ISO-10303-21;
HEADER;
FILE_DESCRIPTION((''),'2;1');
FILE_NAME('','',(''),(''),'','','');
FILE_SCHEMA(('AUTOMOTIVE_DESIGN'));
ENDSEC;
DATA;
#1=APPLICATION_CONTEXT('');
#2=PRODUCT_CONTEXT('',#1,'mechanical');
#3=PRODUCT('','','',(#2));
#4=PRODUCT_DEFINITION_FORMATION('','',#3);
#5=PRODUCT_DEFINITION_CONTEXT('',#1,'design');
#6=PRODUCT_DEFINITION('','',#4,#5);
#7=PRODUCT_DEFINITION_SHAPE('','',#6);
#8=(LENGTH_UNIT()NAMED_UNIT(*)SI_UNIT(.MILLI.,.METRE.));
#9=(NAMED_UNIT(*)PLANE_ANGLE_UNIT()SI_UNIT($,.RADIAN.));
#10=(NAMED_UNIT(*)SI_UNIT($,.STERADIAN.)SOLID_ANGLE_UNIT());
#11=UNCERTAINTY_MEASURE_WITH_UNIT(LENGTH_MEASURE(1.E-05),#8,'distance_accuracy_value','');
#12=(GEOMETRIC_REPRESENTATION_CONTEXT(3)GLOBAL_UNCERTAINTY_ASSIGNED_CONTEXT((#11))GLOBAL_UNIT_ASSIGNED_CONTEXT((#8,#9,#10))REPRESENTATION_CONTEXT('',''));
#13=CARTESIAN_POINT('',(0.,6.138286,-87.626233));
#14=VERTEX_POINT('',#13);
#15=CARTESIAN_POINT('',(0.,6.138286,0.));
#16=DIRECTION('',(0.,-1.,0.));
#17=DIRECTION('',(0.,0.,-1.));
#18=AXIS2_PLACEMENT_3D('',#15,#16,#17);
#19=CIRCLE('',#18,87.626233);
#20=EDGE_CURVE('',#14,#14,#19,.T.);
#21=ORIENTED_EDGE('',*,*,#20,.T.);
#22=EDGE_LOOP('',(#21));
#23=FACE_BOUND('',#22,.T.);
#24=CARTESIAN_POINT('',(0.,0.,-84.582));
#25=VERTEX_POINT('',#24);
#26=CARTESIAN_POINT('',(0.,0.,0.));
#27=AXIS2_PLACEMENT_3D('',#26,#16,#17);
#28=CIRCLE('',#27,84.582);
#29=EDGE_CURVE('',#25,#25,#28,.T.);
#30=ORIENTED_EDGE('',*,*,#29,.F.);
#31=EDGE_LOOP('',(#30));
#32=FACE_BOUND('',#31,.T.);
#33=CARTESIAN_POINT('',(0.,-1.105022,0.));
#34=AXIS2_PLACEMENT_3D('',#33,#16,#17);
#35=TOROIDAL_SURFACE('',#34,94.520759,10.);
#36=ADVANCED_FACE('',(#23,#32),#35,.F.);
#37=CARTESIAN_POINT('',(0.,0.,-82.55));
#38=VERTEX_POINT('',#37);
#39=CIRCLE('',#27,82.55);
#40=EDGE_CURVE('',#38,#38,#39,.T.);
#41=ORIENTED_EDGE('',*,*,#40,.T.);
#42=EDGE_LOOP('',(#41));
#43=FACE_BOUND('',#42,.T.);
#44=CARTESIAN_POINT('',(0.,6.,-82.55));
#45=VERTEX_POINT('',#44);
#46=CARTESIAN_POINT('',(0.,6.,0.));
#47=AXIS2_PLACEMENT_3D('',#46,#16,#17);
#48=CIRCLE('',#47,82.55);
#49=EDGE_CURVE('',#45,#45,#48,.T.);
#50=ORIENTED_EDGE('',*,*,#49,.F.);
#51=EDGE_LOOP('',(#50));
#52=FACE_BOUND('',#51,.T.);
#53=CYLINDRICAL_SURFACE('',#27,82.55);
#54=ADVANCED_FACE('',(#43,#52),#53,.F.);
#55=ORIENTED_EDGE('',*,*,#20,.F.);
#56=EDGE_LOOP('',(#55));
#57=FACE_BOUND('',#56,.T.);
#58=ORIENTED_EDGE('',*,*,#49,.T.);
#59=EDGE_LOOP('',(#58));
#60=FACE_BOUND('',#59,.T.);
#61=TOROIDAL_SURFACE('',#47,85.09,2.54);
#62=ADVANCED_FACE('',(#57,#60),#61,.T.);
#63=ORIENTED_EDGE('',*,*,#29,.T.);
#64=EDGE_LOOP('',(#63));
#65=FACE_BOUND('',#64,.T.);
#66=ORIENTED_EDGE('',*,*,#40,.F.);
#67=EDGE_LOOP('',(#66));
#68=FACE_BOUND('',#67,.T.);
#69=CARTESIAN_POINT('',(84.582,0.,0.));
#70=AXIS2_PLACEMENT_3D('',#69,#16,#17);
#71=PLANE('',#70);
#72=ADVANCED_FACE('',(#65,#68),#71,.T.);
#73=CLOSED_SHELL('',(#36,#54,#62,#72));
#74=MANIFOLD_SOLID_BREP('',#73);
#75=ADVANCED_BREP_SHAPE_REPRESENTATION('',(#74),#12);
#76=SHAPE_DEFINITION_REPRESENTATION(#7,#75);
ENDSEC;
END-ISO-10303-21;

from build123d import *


with BuildPart() as part:
    # Sketch1 → Revolve1 (revolve)
    with BuildSketch(Plane.XY, mode=Mode.PRIVATE) as revolve1_sk:
        with BuildLine():
            Line((82.55, 0), (82.55, 6))
            ThreePointArc((82.55, 6), (85.020831476, 8.539058037), (87.626232847, 6.138285746))
            ThreePointArc((87.626232847, 6.138285746), (85.561991757, 3.338005188), (84.582, 0))
            Line((84.582, 0), (82.55, 0))
        make_face()
    revolve(revolve1_sk.sketch.rotate(Axis((0, 0, 0), (0, 1, 0)), 90), axis=Axis((0, 0, 0), (0, 1, 0)))


solid = part.part
